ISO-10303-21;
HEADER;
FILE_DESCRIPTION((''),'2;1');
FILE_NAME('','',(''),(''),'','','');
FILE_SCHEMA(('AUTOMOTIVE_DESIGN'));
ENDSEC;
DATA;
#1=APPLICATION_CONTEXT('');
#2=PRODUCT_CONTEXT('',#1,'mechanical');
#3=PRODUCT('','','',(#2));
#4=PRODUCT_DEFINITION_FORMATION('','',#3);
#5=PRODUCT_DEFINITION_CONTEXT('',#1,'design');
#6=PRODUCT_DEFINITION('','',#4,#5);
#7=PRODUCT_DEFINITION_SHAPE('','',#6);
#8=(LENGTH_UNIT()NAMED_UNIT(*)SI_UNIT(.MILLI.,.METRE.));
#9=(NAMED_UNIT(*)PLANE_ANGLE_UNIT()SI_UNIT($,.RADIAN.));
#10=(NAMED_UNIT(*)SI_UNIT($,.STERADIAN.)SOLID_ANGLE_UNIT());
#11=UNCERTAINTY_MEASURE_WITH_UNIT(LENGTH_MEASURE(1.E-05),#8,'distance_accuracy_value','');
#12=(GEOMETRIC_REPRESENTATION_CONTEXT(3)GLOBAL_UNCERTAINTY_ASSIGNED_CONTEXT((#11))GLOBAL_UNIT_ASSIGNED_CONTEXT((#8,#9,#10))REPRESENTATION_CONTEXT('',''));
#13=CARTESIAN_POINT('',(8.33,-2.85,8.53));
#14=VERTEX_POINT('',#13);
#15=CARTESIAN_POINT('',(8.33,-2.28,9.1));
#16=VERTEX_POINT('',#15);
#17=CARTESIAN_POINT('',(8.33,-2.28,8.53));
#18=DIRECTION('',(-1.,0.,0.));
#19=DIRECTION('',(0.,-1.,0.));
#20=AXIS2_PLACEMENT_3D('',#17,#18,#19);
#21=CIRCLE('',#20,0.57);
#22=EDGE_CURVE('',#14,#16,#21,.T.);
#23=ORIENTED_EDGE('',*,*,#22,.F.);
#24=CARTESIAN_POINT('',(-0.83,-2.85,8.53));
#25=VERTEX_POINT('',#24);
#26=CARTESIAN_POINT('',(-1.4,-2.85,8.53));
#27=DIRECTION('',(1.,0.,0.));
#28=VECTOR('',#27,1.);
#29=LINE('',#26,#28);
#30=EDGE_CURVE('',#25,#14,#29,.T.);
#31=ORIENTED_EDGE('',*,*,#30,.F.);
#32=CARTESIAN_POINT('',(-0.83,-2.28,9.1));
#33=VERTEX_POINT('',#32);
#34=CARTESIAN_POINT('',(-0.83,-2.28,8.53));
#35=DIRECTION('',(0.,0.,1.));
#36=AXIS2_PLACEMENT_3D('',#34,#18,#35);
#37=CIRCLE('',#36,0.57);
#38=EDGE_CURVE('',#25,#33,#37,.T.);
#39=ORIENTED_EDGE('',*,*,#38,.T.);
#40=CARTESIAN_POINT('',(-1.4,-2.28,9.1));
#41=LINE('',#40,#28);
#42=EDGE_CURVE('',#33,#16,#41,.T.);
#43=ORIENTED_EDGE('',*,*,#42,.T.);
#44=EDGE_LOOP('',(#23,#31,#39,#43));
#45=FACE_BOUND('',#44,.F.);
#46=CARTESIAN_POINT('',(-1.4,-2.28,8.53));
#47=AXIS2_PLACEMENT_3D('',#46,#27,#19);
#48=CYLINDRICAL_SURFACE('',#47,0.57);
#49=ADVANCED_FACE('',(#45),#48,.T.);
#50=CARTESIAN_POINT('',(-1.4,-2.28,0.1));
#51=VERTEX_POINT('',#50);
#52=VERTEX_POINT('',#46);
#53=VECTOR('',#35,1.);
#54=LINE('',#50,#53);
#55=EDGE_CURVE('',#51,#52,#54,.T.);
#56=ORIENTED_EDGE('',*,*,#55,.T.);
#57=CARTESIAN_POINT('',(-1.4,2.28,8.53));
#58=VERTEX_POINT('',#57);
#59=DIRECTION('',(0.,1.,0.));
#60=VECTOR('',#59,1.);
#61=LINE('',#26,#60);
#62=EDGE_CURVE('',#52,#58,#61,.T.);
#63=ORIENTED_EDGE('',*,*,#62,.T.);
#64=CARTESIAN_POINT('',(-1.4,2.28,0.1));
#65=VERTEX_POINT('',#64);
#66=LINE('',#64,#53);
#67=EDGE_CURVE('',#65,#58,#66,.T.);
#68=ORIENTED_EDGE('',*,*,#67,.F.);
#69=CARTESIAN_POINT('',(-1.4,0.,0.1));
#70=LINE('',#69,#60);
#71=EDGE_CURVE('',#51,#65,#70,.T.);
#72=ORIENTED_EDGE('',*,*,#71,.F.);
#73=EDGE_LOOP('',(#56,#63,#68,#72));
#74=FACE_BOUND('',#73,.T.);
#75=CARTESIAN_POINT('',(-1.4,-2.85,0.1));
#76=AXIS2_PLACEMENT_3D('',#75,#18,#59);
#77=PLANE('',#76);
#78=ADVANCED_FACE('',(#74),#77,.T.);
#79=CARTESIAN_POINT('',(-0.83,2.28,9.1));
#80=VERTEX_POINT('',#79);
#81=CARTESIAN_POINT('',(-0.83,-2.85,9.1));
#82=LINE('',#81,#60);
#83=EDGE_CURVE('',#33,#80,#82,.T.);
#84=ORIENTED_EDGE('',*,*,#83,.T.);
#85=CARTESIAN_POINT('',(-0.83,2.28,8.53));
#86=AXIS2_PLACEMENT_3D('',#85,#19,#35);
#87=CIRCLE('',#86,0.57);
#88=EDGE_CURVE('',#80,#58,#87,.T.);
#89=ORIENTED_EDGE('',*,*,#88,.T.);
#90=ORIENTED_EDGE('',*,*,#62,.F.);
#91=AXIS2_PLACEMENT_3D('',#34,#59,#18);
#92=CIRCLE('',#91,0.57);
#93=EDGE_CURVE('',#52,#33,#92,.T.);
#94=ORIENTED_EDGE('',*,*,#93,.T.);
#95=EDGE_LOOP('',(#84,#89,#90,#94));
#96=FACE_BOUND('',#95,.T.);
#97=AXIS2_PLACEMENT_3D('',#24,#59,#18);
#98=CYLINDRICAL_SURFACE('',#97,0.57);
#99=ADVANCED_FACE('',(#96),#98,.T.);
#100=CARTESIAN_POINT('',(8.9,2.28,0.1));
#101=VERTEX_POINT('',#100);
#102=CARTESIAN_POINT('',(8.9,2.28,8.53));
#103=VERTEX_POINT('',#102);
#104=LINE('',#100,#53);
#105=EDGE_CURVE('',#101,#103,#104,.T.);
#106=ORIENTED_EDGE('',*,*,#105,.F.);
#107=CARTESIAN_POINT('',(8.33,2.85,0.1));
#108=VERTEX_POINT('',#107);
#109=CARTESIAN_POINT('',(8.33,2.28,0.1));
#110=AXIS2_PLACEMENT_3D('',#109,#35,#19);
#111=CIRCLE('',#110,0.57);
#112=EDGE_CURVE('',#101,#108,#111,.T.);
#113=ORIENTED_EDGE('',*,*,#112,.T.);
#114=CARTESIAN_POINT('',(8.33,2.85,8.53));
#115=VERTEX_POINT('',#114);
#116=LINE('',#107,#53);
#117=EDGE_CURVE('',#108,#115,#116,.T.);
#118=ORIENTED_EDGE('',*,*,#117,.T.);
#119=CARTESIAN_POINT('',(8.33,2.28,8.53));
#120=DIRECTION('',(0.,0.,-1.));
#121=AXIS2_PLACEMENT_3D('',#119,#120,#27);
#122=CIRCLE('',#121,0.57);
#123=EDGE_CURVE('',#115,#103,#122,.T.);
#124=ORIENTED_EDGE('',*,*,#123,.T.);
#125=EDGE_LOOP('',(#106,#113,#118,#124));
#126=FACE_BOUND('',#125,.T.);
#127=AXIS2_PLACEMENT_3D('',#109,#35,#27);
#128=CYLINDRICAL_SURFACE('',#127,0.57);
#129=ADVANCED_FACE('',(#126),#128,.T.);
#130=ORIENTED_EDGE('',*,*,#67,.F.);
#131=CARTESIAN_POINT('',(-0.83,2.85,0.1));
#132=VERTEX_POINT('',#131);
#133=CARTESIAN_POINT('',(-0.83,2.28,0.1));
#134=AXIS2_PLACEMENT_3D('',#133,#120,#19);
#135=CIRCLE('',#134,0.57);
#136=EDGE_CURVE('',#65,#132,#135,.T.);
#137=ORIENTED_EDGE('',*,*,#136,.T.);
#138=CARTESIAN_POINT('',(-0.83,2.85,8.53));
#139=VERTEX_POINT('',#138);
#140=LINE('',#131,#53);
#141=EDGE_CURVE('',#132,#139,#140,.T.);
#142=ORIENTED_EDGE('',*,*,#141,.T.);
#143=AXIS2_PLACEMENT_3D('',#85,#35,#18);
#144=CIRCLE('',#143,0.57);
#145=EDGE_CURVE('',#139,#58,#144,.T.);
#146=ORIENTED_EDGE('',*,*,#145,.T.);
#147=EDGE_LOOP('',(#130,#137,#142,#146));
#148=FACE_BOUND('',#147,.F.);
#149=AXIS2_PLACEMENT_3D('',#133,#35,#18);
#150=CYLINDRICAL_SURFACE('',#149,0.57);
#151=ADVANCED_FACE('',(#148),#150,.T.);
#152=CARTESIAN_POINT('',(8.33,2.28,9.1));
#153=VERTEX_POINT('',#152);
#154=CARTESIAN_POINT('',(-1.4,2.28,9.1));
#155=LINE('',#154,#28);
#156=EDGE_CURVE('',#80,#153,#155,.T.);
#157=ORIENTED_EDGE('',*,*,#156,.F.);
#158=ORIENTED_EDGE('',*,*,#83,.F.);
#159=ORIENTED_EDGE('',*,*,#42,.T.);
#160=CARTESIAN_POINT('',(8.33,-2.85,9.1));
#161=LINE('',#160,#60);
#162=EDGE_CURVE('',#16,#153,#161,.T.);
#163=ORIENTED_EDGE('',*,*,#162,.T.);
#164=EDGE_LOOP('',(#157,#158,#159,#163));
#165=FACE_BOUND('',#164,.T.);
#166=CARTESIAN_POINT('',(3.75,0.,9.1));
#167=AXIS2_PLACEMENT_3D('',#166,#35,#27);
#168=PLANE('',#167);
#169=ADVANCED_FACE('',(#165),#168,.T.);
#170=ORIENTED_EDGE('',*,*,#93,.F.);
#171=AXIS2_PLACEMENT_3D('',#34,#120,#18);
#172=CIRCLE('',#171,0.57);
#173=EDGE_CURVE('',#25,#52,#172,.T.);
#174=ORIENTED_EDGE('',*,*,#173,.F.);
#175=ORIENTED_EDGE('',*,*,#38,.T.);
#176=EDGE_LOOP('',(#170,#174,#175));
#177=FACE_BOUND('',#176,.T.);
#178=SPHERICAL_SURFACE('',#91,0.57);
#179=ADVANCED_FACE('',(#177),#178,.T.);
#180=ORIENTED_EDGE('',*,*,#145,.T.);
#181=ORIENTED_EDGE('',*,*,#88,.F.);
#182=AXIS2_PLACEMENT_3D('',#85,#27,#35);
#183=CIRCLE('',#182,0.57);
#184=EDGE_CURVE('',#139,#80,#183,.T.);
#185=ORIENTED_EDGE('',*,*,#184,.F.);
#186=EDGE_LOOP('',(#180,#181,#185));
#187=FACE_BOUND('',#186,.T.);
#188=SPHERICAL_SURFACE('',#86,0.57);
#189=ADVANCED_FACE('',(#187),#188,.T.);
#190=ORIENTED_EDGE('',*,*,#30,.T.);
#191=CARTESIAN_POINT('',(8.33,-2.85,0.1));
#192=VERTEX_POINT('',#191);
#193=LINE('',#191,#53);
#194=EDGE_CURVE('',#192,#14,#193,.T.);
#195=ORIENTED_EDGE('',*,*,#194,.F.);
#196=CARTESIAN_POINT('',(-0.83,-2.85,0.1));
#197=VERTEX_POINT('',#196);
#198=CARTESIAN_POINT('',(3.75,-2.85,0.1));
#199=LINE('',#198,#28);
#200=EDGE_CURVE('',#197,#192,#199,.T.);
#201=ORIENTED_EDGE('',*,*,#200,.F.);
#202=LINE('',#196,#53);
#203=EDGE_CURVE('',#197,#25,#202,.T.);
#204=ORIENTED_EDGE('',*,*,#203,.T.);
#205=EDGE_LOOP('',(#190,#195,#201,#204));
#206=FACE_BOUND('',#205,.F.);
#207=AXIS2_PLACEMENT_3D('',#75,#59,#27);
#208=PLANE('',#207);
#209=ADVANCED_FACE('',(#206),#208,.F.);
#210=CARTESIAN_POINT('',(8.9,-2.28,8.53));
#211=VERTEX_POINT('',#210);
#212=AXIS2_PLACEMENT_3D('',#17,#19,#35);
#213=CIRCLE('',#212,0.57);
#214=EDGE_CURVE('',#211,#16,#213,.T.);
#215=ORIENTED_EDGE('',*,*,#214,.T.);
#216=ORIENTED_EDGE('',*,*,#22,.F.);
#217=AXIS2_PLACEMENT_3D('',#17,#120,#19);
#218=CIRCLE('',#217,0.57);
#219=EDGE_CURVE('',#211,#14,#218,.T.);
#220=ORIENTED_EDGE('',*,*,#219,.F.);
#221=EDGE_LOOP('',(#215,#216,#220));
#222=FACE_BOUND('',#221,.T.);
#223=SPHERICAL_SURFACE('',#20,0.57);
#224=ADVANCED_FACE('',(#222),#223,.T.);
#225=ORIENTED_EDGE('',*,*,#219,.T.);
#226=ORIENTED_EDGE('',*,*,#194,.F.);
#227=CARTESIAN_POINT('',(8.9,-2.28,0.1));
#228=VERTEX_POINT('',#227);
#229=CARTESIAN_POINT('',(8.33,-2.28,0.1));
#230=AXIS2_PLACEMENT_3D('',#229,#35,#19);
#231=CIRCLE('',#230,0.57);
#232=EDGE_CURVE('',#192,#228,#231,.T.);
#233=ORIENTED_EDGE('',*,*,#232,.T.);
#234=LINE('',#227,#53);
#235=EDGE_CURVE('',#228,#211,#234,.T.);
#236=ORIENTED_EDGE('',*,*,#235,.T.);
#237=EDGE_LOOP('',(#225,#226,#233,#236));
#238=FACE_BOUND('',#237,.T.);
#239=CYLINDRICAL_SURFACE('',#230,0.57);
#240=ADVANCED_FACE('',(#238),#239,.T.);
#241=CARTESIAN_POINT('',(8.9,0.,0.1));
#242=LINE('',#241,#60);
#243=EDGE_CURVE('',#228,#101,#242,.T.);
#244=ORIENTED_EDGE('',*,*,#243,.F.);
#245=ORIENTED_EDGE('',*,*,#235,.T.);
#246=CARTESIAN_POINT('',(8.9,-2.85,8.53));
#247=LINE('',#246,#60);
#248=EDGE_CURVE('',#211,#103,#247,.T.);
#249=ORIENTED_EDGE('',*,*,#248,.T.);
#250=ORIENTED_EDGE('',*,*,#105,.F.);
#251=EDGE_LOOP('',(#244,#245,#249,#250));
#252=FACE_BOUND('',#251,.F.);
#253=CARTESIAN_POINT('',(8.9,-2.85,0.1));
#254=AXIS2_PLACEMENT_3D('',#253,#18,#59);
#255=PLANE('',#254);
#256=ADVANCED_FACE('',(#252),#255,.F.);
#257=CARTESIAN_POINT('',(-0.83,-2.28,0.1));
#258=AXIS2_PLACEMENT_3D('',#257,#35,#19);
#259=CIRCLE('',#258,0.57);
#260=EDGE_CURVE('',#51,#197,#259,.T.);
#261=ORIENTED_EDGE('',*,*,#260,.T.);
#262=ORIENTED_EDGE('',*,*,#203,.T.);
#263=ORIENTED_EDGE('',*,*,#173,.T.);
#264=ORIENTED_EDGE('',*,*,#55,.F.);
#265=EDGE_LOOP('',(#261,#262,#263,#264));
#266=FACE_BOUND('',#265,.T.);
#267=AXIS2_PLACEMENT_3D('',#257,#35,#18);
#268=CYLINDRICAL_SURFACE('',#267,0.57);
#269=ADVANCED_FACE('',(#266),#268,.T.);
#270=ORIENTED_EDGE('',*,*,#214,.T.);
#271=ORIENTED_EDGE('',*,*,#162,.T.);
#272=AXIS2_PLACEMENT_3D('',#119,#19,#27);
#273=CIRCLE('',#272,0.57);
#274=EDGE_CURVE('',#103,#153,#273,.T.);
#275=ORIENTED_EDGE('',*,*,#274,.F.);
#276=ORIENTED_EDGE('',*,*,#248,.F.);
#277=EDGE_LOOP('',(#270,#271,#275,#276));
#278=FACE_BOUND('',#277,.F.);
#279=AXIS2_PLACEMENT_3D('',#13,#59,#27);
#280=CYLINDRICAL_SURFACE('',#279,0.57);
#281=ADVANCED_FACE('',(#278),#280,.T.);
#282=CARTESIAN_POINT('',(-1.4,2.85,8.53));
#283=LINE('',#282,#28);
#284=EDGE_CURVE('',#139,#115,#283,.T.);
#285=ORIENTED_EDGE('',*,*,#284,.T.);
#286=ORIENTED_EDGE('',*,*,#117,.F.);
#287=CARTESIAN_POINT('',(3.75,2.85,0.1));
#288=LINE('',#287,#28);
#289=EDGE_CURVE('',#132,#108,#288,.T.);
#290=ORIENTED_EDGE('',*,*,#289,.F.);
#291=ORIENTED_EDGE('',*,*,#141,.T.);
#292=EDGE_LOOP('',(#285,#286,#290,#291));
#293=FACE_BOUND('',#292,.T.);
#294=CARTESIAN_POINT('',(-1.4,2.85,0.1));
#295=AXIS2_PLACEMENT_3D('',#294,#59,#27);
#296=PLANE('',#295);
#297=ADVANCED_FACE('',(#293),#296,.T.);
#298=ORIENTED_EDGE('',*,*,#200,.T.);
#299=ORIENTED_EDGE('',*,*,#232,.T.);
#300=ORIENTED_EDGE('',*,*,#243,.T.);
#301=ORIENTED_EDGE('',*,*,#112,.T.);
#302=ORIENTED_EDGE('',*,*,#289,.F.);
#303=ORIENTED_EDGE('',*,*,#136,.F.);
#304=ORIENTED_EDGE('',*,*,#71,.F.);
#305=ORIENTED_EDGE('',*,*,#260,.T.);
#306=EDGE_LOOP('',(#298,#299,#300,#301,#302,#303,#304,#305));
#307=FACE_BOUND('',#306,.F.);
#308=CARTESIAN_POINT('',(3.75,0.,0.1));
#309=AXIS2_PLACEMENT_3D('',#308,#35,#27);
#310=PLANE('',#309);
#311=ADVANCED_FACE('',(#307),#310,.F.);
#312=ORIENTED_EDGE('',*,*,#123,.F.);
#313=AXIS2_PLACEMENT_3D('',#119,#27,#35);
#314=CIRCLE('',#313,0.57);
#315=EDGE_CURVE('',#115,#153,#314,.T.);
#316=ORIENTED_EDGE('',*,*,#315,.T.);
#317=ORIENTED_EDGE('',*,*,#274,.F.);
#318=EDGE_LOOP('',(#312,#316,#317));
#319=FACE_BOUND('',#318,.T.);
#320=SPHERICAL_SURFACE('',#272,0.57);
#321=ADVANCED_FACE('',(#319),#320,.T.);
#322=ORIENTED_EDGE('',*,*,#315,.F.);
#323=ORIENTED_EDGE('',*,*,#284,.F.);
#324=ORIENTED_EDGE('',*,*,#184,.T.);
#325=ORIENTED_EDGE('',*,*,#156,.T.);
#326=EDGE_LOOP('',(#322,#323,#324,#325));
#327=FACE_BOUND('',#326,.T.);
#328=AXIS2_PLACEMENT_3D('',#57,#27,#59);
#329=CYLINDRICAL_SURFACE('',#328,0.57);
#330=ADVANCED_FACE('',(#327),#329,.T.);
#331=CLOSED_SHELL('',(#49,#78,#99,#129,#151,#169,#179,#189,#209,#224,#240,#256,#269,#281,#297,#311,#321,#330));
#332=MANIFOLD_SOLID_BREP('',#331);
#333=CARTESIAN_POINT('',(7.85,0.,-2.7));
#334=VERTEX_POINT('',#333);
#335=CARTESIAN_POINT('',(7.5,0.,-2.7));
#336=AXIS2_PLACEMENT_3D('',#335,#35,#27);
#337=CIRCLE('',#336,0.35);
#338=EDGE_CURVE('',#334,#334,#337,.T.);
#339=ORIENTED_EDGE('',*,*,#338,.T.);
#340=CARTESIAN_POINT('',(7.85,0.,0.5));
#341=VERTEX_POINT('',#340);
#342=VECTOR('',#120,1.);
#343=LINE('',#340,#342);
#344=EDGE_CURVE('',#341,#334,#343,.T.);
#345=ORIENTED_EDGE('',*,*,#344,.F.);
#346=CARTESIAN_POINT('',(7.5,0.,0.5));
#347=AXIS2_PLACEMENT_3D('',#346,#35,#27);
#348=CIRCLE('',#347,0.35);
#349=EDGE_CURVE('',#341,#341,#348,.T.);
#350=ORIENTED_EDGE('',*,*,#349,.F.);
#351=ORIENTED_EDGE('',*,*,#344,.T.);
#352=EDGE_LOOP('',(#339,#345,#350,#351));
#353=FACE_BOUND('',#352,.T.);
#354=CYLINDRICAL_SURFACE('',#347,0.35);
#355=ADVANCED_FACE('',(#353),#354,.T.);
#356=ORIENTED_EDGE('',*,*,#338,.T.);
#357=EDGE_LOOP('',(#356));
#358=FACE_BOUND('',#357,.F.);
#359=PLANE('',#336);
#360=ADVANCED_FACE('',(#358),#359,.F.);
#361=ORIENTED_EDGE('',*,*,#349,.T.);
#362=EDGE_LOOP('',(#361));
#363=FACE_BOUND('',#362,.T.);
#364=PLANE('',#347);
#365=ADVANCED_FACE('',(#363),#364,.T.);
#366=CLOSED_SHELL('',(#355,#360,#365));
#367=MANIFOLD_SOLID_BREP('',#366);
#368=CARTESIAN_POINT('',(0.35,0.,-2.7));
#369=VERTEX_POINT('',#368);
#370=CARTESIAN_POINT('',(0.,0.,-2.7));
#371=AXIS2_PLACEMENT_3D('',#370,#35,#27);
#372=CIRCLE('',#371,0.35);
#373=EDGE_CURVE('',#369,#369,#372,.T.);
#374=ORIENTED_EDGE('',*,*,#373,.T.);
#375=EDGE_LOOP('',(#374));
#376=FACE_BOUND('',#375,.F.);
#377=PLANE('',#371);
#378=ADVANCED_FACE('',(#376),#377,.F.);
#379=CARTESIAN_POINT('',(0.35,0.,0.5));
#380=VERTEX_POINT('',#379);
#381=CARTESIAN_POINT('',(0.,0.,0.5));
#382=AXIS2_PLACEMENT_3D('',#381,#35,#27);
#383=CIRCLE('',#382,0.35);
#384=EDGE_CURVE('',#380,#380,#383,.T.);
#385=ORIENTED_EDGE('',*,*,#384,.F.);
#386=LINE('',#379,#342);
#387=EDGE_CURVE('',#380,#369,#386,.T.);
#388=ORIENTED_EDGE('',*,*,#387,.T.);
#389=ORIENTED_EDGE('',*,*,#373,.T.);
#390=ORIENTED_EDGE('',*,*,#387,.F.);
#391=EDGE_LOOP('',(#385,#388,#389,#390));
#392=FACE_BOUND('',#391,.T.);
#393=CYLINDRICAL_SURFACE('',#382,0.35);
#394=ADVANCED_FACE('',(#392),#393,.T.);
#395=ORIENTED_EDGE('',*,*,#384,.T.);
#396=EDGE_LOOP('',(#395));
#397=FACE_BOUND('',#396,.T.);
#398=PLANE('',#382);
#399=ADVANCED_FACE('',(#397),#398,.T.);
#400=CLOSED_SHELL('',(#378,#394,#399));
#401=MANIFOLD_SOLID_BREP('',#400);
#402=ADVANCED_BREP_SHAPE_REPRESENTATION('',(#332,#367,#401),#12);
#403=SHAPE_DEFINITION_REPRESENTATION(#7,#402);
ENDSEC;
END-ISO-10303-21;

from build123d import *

# Parameters (mm, degrees)
SKETCH_W     = 10.3
SKETCH_H     = 5.7
PAD_DEPTH    = 9
FILLET_R     = 0.57
SKETCH001_R  = 0.35
PAD001_DEPTH = 3.2


with BuildPart() as fillet_body:
    # Sketch → Pad (new body)
    with BuildSketch(Plane.XY.offset(0.1)):
        with Locations((3.75, 0)):
            Rectangle(SKETCH_W, SKETCH_H)
    extrude(amount=PAD_DEPTH)

    # Fillet
    fillet_edges = [fillet_body.edges().sort_by_distance(p)[0] for p in [
        (-1.4, 0, 9.1),
        (-1.4, -2.85, 4.6),
        (3.75, -2.85, 9.1),
        (8.9, -2.85, 4.6),
        (8.9, 0, 9.1),
        (8.9, 2.85, 4.6),
        (3.75, 2.85, 9.1),
        (-1.4, 2.85, 4.6),
    ]]
    fillet(fillet_edges, radius=FILLET_R)


with BuildPart() as pad001:
    # Sketch001 → Pad001 (new body)
    with BuildSketch(Plane.XY.offset(0.5)):
        Circle(SKETCH001_R)
        with Locations((7.5, 0)):
            Circle(SKETCH001_R)
    extrude(amount=-PAD001_DEPTH)


solid = Compound([fillet_body.part, pad001.part])
